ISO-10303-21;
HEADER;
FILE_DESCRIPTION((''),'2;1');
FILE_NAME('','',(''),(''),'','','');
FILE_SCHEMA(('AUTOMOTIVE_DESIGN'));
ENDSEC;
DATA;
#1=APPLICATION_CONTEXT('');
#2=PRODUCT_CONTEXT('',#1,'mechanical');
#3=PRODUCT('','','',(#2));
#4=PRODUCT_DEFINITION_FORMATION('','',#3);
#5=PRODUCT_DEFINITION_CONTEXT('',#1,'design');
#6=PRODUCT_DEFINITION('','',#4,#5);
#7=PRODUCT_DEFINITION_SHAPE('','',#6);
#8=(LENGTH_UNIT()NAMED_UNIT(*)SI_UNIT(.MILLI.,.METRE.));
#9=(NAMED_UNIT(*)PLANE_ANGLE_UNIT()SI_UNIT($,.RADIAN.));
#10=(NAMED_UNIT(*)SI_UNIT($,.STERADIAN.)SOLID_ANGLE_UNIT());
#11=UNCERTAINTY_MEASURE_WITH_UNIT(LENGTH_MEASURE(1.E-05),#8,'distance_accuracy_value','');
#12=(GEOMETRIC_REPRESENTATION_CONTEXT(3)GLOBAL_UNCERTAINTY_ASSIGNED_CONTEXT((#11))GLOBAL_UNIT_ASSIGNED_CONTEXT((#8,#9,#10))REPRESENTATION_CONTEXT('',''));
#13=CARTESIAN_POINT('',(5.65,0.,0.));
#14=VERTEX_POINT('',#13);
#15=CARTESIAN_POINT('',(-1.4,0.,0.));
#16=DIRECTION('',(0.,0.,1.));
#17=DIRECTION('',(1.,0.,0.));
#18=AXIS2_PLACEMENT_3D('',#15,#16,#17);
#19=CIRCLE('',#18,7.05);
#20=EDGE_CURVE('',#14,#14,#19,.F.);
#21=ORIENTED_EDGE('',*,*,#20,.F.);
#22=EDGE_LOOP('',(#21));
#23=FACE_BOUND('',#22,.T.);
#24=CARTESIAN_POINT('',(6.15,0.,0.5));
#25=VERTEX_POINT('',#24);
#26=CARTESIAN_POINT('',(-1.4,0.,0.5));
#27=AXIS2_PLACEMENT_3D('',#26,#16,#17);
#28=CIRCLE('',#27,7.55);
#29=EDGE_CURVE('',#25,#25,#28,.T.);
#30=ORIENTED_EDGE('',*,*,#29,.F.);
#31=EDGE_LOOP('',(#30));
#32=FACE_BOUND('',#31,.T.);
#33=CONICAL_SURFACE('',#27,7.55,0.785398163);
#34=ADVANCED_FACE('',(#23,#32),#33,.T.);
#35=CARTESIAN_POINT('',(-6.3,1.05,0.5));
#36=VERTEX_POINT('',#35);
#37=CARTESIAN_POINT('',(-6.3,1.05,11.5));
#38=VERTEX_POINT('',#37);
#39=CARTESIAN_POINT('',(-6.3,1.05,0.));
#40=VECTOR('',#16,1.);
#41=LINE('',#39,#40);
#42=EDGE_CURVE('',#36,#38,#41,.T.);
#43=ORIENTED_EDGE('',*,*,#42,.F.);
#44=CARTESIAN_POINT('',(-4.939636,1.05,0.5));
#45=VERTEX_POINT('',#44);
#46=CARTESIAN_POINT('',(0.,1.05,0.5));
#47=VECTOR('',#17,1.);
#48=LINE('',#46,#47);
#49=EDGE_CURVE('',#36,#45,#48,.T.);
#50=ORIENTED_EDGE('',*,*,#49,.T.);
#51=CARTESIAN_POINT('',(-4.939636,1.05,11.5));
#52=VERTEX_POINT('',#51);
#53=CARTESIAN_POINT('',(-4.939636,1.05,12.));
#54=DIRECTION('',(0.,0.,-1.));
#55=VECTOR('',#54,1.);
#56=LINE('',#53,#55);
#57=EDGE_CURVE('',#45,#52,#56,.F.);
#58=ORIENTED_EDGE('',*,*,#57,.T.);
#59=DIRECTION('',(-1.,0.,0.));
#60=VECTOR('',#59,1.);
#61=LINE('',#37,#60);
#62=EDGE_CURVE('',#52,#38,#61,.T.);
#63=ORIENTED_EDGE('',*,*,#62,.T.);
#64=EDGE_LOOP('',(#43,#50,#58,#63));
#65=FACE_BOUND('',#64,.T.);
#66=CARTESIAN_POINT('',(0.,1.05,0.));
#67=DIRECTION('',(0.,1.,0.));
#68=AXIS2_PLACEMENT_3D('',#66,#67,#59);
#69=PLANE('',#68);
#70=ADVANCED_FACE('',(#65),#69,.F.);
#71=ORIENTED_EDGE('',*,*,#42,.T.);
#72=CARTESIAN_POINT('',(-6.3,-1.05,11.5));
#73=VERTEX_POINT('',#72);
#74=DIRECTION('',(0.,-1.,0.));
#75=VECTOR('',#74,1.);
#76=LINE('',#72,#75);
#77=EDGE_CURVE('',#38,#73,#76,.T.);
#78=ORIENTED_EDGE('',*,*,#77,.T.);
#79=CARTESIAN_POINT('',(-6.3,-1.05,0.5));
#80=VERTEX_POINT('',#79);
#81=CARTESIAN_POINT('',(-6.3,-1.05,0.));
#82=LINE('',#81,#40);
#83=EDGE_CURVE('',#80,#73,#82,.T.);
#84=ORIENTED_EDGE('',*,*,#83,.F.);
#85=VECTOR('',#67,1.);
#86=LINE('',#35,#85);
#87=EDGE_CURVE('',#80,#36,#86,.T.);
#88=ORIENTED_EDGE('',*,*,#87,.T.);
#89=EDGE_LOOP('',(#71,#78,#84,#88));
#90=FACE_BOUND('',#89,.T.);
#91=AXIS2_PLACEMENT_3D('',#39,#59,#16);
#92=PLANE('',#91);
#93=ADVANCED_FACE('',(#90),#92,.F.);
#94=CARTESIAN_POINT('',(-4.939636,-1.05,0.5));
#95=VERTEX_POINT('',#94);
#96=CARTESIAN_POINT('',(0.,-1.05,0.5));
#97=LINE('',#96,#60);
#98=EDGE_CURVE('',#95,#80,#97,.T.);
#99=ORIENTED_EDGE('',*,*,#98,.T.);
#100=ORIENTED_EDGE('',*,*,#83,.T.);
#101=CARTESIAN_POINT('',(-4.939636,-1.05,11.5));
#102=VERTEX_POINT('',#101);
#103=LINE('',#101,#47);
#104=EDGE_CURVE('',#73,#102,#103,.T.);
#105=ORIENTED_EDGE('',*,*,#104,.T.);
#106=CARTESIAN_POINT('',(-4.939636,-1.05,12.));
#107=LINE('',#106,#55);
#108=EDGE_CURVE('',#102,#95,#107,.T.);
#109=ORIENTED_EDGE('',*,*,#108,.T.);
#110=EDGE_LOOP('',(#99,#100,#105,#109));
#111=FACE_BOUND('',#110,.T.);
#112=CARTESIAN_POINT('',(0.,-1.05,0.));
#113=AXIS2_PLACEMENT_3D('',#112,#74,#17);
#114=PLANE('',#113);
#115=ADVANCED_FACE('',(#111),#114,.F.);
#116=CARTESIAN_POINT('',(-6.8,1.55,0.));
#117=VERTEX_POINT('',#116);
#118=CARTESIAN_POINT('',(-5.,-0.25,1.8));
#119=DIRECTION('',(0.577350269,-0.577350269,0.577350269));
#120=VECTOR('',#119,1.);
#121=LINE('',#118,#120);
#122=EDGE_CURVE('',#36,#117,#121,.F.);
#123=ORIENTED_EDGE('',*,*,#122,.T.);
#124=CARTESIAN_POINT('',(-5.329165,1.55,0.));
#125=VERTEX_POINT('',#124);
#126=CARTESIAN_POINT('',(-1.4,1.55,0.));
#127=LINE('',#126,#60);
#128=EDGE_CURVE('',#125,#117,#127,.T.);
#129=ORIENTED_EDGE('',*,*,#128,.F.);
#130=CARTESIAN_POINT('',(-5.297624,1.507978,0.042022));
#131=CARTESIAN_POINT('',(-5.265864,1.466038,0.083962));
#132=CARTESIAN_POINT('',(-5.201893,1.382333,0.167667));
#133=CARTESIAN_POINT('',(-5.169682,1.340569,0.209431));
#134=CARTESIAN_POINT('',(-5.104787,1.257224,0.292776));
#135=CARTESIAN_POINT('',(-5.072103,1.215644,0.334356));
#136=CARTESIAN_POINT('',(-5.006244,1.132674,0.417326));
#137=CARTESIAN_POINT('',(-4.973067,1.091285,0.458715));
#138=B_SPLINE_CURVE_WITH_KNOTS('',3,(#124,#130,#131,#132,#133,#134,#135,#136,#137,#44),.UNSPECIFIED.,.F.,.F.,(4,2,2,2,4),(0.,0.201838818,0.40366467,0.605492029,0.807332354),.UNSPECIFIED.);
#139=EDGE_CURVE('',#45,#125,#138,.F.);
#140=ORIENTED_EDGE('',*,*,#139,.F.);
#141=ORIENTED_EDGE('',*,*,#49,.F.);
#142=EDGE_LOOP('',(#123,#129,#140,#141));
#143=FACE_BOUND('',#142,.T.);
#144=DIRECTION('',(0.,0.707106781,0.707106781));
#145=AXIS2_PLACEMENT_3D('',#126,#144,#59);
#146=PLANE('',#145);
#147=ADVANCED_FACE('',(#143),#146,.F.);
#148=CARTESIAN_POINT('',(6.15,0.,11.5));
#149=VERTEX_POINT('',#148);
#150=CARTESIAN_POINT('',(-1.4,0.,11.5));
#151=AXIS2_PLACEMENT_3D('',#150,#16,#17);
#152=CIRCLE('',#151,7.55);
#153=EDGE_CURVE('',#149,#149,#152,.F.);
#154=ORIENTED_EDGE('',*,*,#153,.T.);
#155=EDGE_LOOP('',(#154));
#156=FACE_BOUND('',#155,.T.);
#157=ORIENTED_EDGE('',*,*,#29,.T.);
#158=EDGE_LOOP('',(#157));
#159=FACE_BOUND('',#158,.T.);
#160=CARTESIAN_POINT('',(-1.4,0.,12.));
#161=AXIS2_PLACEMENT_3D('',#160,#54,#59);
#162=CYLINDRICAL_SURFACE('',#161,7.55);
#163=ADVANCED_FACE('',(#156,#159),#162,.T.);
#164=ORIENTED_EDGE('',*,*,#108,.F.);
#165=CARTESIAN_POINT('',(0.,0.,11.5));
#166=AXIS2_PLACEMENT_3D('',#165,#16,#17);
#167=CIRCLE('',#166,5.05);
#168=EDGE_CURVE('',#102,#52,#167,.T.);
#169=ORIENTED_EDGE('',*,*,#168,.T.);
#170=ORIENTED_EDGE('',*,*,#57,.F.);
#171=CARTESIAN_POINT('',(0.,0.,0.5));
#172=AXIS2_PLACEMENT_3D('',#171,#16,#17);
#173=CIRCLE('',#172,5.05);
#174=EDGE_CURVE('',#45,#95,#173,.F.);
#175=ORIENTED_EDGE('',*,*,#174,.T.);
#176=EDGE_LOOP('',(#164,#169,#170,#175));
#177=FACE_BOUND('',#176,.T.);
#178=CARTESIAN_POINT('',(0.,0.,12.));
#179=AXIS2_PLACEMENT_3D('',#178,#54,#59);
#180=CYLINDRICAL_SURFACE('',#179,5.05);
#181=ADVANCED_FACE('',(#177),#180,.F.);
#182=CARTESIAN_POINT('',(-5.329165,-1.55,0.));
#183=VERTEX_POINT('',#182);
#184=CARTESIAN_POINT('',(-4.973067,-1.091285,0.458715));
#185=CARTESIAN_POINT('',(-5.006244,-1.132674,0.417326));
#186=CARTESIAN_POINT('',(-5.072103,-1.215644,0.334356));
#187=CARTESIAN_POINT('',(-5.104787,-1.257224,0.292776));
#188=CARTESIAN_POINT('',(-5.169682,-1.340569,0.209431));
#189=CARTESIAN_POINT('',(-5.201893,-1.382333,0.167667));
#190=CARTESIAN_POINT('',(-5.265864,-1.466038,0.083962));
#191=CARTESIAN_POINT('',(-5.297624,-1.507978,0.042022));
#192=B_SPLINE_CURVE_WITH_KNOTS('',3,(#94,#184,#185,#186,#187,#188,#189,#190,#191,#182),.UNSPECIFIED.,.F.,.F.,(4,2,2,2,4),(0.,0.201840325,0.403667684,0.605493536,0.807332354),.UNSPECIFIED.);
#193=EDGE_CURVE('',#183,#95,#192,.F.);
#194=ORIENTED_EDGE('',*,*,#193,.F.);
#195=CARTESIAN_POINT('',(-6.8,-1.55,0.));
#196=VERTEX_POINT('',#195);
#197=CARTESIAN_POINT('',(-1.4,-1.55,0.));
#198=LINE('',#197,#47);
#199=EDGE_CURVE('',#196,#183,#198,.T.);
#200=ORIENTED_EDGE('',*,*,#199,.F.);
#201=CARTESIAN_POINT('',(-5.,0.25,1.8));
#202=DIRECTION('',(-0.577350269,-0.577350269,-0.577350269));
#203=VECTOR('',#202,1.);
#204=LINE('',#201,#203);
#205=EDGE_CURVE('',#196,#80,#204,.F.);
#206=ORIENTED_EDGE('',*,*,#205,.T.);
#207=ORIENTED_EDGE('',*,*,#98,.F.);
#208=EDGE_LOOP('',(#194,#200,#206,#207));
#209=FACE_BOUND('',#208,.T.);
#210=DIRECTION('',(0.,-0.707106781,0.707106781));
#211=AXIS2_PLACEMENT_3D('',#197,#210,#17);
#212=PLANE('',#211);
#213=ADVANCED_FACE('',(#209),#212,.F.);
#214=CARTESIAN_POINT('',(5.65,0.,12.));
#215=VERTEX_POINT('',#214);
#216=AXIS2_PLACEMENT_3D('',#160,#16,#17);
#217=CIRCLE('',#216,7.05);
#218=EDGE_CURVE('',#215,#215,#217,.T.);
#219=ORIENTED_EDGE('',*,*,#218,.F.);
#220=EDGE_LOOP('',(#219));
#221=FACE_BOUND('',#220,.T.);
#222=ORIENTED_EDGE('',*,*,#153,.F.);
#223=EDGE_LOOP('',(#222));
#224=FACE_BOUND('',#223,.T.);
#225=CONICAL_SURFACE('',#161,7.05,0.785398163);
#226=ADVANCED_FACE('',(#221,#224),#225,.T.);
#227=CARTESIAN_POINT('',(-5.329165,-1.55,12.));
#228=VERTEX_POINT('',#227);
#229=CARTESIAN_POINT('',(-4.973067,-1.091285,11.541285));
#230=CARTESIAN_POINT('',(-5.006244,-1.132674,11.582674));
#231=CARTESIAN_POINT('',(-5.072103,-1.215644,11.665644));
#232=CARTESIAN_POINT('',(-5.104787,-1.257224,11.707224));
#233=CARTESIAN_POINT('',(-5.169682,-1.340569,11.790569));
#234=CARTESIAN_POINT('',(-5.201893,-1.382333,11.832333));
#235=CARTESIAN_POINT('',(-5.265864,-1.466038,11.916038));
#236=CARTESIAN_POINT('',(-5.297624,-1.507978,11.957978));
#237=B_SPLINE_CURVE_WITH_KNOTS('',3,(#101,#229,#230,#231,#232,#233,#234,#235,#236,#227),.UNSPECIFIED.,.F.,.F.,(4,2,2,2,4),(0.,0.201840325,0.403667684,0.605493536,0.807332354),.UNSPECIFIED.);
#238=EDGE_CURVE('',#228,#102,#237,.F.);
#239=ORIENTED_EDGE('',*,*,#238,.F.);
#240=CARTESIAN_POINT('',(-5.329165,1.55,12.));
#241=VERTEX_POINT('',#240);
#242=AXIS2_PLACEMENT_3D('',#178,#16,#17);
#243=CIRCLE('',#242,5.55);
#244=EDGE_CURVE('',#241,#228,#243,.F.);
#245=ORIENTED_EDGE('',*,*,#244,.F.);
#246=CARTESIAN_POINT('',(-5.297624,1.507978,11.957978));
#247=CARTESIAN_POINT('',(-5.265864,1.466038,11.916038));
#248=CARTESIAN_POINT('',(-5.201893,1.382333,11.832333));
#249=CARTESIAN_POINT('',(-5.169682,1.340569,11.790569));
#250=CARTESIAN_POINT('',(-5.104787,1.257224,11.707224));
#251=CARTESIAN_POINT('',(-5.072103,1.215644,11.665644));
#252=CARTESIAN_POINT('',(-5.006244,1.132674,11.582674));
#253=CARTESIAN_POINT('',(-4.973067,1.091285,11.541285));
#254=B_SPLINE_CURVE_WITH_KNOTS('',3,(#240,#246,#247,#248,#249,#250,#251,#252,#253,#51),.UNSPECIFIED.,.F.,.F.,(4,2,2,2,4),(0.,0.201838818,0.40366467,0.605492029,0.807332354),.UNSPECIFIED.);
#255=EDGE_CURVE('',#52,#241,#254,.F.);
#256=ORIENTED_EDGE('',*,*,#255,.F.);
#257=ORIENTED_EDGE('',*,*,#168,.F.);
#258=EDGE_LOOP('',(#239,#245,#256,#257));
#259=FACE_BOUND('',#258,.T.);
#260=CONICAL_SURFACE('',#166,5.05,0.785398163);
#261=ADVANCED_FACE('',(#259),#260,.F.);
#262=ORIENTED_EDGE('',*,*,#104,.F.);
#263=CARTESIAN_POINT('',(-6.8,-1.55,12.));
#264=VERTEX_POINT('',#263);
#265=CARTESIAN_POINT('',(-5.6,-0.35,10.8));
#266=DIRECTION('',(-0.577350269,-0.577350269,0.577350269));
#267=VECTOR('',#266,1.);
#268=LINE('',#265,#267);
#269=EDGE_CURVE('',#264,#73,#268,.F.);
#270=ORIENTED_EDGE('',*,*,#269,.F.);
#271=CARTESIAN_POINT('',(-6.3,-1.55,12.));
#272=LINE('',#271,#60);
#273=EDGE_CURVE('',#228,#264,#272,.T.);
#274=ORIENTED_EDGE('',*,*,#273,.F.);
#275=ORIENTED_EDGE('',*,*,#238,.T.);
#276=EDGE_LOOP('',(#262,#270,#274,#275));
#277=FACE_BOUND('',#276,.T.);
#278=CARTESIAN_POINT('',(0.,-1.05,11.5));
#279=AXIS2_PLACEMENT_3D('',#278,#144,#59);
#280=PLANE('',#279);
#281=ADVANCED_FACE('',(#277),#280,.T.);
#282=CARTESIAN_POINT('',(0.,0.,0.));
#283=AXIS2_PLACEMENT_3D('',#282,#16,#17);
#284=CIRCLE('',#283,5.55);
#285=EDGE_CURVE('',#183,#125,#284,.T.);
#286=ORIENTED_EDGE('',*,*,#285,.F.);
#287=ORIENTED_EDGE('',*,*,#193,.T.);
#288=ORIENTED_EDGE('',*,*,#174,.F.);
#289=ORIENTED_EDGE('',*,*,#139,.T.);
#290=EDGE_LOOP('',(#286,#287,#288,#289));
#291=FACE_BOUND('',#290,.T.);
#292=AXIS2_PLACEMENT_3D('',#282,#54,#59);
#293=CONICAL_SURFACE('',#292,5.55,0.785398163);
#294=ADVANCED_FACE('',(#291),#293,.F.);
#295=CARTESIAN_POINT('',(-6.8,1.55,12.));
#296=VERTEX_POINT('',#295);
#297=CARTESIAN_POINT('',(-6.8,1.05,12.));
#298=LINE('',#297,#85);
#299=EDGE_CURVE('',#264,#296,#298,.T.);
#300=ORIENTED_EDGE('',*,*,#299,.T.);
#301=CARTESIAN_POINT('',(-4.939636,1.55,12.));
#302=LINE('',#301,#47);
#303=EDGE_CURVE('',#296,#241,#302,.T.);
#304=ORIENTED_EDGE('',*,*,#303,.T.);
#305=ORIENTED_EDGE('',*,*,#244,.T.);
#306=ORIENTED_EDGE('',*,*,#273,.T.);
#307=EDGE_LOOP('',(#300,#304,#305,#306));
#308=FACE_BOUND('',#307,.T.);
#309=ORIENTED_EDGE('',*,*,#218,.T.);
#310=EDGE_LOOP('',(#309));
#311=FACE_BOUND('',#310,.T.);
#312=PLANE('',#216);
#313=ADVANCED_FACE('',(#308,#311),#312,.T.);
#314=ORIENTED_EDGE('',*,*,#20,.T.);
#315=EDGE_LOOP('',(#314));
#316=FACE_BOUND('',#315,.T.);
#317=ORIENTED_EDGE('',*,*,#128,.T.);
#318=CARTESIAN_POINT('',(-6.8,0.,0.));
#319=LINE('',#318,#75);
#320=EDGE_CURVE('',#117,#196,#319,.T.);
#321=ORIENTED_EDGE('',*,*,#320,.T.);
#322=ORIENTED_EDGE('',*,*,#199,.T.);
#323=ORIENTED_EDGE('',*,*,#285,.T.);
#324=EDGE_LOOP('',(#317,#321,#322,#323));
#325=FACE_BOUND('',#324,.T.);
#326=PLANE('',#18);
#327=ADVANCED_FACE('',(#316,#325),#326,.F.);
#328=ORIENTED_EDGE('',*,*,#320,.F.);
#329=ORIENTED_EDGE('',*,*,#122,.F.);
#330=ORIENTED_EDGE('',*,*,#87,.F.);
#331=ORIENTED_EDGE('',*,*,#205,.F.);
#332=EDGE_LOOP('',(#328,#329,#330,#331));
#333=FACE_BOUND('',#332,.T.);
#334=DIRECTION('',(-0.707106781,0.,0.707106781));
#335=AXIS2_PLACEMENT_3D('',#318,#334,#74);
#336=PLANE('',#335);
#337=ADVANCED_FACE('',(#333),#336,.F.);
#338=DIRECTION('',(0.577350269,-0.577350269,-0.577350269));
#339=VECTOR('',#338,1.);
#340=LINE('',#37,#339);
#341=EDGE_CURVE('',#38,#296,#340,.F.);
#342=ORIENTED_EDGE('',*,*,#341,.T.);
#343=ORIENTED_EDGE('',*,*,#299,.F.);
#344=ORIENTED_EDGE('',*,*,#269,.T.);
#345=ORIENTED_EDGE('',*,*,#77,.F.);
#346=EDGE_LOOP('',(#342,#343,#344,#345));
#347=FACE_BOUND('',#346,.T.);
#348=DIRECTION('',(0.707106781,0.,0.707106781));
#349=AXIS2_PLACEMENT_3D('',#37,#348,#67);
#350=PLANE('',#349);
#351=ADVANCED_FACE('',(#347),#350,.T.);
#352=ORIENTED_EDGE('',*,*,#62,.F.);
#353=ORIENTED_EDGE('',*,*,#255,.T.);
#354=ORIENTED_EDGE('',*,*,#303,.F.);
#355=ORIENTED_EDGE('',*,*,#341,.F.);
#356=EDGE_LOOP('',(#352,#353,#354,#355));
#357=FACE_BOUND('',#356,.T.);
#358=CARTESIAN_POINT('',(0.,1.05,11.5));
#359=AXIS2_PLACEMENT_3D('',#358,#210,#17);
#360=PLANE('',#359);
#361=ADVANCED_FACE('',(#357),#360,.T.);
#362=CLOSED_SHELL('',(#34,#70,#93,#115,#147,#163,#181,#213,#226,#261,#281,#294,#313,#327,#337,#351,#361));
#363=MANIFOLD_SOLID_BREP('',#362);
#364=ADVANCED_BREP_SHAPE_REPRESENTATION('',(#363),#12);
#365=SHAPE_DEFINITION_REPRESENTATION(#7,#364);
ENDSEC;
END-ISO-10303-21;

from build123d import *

# Parameters (mm, degrees)
SKETCH1_R           = 7.55
SKETCH1_R_2         = 5.05
BOSS_EXTRUDE1_DEPTH = 12
SKETCH2_W           = 6.3
SKETCH2_H           = 2.1
CUT_EXTRUDE1_DEPTH  = 17.766186209
CHAMFER1_SIZE       = 0.5
CHAMFER2_SIZE       = 0.5
CHAMFER3_SIZE       = 0.5


with BuildPart() as part:
    # Sketch1 → Boss-Extrude1 (new body)
    with BuildSketch(Plane.XY):
        with Locations((-1.4, 0)):
            Circle(SKETCH1_R)
        Circle(SKETCH1_R_2, mode=Mode.SUBTRACT)
    extrude(amount=BOSS_EXTRUDE1_DEPTH)

    # Sketch2 → Cut-Extrude1 (cut, through all)
    with BuildSketch(Plane.XY.offset(12)):
        with Locations((-3.15, 0)):
            Rectangle(SKETCH2_W, SKETCH2_H)
    extrude(amount=-CUT_EXTRUDE1_DEPTH, mode=Mode.SUBTRACT)

    # Chamfer1
    chamfer1_edges = [part.edges().sort_by_distance(p)[0] for p in [
        (5.05, 0, 12),
        (-5.619817807, -1.05, 12),
        (-5.619817807, 1.05, 12),
        (-6.3, 0, 12),
    ]]
    chamfer(chamfer1_edges, length=CHAMFER1_SIZE)

    # Chamfer2
    chamfer2_edges = [part.edges().sort_by_distance(p)[0] for p in [
        (5.05, 0, 0),
        (-5.619817807, -1.05, 0),
        (-6.3, 0, 0),
        (-5.619817807, 1.05, 0),
    ]]
    chamfer(chamfer2_edges, length=CHAMFER2_SIZE)

    # Chamfer3
    chamfer3_edges = [part.edges().sort_by_distance(p)[0] for p in [
        (-8.95, 0, 0),
        (-8.95, 0, 12),
    ]]
    chamfer(chamfer3_edges, length=CHAMFER3_SIZE)


solid = part.part
